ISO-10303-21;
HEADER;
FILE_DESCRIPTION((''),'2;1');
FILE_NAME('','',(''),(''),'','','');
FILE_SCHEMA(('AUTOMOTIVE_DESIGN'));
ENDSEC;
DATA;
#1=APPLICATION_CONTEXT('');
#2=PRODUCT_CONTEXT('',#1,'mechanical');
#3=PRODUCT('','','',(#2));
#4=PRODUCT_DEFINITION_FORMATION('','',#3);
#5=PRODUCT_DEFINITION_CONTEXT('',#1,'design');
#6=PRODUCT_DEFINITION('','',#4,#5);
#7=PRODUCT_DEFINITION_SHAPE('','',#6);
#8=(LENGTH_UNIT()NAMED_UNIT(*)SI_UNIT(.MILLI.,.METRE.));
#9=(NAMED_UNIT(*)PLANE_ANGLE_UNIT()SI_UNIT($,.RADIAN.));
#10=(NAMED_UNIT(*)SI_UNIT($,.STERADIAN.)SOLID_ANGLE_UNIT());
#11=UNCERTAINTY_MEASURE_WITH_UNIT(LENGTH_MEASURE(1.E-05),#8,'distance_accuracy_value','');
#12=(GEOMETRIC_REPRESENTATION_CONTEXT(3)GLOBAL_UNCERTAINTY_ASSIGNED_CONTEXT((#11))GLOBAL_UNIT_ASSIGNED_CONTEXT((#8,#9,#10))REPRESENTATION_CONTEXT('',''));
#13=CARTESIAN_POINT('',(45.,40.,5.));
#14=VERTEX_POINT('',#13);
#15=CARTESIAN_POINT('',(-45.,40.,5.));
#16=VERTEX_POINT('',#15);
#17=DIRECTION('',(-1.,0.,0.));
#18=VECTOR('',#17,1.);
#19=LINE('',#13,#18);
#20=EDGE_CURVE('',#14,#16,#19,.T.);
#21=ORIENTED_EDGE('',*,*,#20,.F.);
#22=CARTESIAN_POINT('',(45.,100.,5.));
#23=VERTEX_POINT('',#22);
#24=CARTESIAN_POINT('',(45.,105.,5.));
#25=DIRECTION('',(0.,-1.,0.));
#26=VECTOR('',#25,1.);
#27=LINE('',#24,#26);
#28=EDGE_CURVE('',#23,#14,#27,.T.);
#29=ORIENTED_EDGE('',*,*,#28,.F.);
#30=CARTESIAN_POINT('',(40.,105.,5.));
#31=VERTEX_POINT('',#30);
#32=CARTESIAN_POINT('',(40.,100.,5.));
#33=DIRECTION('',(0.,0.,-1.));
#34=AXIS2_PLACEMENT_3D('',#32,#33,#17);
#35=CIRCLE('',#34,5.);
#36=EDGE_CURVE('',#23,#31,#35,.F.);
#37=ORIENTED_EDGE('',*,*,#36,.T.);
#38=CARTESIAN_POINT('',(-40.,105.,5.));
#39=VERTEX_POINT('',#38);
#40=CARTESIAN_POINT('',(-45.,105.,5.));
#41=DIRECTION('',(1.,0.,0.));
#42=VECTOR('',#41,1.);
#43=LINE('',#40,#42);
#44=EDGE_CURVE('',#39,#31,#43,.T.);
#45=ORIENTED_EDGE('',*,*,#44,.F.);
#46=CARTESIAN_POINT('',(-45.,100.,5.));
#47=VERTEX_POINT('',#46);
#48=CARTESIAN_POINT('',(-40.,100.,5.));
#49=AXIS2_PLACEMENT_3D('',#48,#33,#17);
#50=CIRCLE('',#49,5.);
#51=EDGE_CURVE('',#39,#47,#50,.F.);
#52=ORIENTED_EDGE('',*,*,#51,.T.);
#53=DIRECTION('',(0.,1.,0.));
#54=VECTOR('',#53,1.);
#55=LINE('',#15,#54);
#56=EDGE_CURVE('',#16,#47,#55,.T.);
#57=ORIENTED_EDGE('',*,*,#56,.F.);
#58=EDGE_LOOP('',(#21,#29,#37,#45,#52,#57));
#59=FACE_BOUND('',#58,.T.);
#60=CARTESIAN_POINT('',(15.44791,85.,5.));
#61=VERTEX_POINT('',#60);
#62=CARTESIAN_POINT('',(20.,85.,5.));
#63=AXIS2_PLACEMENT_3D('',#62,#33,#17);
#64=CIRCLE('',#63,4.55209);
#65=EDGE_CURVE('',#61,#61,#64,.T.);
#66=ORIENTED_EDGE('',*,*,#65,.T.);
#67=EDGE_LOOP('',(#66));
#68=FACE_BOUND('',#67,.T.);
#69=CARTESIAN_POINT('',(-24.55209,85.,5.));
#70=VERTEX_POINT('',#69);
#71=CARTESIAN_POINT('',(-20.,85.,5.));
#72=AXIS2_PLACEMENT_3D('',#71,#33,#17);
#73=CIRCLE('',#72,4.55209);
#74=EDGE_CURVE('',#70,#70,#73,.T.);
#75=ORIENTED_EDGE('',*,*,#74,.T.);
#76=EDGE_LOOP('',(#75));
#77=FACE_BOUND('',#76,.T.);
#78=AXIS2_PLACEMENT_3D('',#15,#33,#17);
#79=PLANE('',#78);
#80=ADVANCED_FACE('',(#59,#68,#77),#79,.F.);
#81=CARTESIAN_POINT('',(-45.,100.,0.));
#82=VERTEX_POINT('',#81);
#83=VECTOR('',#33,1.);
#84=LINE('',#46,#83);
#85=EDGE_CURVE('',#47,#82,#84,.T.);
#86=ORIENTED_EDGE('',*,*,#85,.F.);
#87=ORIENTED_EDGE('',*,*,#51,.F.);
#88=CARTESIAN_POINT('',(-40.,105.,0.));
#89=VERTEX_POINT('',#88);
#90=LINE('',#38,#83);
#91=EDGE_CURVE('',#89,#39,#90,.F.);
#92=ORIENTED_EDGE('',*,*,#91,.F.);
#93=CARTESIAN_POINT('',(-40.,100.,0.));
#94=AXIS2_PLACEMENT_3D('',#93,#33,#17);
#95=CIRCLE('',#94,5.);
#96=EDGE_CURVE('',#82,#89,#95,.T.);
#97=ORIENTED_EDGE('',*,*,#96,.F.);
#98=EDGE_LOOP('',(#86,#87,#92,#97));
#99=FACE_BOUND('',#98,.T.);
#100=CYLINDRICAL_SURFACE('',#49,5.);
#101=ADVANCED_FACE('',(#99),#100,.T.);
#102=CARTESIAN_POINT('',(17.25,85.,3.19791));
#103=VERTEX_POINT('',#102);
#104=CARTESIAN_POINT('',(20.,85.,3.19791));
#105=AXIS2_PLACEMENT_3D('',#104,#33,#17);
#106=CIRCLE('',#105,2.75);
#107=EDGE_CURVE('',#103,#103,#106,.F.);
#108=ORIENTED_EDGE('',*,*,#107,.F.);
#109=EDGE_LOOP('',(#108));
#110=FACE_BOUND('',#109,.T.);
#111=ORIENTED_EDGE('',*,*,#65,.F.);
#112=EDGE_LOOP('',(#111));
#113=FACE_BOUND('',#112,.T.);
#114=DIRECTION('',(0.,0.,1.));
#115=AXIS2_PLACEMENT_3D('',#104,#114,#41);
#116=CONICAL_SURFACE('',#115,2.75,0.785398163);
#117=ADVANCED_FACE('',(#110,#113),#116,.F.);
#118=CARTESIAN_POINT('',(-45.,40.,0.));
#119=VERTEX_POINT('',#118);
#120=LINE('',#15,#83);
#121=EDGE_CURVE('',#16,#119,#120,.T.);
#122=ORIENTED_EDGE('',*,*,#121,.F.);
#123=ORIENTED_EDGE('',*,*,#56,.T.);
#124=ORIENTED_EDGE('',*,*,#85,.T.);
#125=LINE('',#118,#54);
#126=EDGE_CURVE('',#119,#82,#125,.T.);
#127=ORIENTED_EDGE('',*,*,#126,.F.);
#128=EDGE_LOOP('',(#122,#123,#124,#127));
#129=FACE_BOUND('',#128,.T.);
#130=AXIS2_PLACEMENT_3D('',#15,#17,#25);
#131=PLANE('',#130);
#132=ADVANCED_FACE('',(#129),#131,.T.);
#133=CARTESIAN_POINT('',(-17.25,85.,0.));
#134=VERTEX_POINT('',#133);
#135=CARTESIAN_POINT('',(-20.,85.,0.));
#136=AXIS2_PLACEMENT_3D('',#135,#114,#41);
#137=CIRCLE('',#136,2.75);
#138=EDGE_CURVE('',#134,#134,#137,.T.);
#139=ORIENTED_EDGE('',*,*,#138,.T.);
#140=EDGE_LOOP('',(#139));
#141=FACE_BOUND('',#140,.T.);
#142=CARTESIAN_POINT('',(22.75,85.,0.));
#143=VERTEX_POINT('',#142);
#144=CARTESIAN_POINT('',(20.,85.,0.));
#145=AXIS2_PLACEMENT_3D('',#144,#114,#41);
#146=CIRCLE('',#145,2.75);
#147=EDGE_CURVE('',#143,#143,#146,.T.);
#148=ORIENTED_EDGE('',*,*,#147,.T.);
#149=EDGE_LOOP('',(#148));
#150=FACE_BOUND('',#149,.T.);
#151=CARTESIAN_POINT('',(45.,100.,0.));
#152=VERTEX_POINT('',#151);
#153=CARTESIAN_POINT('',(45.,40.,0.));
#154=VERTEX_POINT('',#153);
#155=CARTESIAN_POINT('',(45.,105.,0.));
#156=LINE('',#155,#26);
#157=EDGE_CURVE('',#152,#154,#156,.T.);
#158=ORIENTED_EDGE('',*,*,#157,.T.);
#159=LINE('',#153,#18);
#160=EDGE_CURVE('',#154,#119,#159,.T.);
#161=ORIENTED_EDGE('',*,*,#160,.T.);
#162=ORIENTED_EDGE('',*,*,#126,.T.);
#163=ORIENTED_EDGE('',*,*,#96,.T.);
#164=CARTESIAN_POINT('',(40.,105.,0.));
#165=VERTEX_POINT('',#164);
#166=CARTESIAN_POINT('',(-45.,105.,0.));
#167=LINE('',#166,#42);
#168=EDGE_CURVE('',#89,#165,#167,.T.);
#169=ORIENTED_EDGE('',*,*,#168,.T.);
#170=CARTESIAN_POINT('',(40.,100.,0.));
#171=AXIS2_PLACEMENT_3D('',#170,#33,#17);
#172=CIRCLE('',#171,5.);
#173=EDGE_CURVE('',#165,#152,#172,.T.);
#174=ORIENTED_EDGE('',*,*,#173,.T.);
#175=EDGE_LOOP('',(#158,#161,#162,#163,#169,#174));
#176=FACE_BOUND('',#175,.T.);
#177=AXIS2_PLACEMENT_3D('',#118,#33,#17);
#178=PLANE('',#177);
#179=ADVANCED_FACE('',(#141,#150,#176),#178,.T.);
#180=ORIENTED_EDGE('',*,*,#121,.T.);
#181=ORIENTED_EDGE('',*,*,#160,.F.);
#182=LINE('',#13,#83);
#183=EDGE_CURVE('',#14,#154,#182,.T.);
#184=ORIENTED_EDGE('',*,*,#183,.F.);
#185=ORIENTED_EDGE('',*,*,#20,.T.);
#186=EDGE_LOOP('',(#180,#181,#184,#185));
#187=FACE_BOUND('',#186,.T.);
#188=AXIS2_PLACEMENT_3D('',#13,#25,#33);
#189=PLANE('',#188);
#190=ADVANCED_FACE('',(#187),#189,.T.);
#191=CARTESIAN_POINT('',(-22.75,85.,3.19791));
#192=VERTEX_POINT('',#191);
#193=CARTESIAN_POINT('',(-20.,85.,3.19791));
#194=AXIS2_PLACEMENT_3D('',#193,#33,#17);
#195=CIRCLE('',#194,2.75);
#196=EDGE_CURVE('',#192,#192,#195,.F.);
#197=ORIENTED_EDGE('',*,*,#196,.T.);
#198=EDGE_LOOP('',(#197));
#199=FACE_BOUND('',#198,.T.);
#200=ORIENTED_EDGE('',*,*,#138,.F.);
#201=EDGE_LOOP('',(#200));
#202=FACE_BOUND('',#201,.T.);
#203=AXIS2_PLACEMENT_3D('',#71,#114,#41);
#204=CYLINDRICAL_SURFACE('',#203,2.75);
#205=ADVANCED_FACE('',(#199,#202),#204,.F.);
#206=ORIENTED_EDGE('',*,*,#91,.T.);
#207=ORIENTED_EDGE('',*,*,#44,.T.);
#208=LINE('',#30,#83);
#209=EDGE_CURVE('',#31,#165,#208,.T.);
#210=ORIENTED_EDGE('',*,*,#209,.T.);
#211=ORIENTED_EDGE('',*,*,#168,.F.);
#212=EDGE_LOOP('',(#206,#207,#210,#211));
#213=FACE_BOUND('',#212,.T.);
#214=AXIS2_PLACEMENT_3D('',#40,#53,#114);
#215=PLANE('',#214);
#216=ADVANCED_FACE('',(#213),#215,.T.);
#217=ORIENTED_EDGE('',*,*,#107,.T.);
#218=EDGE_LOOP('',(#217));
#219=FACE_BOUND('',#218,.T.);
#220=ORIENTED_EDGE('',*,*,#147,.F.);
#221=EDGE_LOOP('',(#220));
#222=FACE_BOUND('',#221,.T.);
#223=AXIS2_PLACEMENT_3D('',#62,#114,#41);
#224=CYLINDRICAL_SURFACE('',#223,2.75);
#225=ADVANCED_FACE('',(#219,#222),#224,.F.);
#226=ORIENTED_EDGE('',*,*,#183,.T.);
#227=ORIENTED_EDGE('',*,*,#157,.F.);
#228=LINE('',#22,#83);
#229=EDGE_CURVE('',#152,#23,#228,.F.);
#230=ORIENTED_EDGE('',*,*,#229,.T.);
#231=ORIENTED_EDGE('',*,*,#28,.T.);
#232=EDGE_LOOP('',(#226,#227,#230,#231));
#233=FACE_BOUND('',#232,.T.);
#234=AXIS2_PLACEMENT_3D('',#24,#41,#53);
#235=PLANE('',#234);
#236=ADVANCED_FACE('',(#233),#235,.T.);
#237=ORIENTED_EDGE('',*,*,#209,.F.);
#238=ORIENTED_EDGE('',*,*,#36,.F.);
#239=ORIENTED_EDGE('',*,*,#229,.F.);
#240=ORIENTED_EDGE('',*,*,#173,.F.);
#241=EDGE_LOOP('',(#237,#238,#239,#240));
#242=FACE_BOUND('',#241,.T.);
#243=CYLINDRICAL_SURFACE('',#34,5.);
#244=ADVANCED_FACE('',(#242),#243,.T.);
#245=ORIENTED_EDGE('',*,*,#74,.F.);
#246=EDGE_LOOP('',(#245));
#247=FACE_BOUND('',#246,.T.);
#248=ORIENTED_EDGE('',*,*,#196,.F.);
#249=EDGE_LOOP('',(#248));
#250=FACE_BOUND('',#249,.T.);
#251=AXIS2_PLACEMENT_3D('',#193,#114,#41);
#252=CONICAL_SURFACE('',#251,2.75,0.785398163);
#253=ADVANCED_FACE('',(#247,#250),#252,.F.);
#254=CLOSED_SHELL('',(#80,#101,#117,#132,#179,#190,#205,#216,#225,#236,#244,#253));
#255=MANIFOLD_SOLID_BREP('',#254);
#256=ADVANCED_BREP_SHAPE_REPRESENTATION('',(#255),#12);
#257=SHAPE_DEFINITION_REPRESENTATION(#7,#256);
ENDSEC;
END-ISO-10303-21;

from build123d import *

# Parameters (mm, degrees)
SKETCH_1_W      = 90
SKETCH_1_H      = 65
EXTRUDE_1_DEPTH = 5
HOLE_WIZARD_1_D = 5.5
HOLE_WIZARD_2_D = 5.5
CHAMFER_1_SIZE  = 1.80208992
CHAMFER_2_SIZE  = 1.80208992
FILLET_1_R      = 5
FILLET_2_R      = 5


with BuildPart() as part:
    # 草图1 → 凸台-拉伸1 (new body)
    with BuildSketch(Plane(origin=(0, 0, 0), x_dir=(-1, 0, 0), z_dir=(0, 0, -1))):
        with Locations((0, 72.5)):
            Rectangle(SKETCH_1_W, SKETCH_1_H)
    extrude(amount=-EXTRUDE_1_DEPTH)

    # 孔1 (through all)
    with Locations(Plane.XY.offset(5)):
        with Locations((-20, 85)):
            Hole(HOLE_WIZARD_1_D / 2)

    # 孔2 (through all)
    with Locations(Plane.XY.offset(5)):
        with Locations((20, 85)):
            Hole(HOLE_WIZARD_2_D / 2)

    # 倒角1
    chamfer_1_edges = [part.edges().sort_by_distance(p)[0] for p in [
        (-17.25, 85, 5),
    ]]
    chamfer(chamfer_1_edges, length=CHAMFER_1_SIZE)

    # 倒角2
    chamfer_2_edges = [part.edges().sort_by_distance(p)[0] for p in [
        (22.75, 85, 5),
    ]]
    chamfer(chamfer_2_edges, length=CHAMFER_2_SIZE)

    # 圆角1
    fillet_1_edges = [part.edges().sort_by_distance(p)[0] for p in [
        (45, 105, 2.5),
    ]]
    fillet(fillet_1_edges, radius=FILLET_1_R)

    # 圆角2
    fillet_2_edges = [part.edges().sort_by_distance(p)[0] for p in [
        (-45, 105, 2.5),
    ]]
    fillet(fillet_2_edges, radius=FILLET_2_R)


solid = part.part
